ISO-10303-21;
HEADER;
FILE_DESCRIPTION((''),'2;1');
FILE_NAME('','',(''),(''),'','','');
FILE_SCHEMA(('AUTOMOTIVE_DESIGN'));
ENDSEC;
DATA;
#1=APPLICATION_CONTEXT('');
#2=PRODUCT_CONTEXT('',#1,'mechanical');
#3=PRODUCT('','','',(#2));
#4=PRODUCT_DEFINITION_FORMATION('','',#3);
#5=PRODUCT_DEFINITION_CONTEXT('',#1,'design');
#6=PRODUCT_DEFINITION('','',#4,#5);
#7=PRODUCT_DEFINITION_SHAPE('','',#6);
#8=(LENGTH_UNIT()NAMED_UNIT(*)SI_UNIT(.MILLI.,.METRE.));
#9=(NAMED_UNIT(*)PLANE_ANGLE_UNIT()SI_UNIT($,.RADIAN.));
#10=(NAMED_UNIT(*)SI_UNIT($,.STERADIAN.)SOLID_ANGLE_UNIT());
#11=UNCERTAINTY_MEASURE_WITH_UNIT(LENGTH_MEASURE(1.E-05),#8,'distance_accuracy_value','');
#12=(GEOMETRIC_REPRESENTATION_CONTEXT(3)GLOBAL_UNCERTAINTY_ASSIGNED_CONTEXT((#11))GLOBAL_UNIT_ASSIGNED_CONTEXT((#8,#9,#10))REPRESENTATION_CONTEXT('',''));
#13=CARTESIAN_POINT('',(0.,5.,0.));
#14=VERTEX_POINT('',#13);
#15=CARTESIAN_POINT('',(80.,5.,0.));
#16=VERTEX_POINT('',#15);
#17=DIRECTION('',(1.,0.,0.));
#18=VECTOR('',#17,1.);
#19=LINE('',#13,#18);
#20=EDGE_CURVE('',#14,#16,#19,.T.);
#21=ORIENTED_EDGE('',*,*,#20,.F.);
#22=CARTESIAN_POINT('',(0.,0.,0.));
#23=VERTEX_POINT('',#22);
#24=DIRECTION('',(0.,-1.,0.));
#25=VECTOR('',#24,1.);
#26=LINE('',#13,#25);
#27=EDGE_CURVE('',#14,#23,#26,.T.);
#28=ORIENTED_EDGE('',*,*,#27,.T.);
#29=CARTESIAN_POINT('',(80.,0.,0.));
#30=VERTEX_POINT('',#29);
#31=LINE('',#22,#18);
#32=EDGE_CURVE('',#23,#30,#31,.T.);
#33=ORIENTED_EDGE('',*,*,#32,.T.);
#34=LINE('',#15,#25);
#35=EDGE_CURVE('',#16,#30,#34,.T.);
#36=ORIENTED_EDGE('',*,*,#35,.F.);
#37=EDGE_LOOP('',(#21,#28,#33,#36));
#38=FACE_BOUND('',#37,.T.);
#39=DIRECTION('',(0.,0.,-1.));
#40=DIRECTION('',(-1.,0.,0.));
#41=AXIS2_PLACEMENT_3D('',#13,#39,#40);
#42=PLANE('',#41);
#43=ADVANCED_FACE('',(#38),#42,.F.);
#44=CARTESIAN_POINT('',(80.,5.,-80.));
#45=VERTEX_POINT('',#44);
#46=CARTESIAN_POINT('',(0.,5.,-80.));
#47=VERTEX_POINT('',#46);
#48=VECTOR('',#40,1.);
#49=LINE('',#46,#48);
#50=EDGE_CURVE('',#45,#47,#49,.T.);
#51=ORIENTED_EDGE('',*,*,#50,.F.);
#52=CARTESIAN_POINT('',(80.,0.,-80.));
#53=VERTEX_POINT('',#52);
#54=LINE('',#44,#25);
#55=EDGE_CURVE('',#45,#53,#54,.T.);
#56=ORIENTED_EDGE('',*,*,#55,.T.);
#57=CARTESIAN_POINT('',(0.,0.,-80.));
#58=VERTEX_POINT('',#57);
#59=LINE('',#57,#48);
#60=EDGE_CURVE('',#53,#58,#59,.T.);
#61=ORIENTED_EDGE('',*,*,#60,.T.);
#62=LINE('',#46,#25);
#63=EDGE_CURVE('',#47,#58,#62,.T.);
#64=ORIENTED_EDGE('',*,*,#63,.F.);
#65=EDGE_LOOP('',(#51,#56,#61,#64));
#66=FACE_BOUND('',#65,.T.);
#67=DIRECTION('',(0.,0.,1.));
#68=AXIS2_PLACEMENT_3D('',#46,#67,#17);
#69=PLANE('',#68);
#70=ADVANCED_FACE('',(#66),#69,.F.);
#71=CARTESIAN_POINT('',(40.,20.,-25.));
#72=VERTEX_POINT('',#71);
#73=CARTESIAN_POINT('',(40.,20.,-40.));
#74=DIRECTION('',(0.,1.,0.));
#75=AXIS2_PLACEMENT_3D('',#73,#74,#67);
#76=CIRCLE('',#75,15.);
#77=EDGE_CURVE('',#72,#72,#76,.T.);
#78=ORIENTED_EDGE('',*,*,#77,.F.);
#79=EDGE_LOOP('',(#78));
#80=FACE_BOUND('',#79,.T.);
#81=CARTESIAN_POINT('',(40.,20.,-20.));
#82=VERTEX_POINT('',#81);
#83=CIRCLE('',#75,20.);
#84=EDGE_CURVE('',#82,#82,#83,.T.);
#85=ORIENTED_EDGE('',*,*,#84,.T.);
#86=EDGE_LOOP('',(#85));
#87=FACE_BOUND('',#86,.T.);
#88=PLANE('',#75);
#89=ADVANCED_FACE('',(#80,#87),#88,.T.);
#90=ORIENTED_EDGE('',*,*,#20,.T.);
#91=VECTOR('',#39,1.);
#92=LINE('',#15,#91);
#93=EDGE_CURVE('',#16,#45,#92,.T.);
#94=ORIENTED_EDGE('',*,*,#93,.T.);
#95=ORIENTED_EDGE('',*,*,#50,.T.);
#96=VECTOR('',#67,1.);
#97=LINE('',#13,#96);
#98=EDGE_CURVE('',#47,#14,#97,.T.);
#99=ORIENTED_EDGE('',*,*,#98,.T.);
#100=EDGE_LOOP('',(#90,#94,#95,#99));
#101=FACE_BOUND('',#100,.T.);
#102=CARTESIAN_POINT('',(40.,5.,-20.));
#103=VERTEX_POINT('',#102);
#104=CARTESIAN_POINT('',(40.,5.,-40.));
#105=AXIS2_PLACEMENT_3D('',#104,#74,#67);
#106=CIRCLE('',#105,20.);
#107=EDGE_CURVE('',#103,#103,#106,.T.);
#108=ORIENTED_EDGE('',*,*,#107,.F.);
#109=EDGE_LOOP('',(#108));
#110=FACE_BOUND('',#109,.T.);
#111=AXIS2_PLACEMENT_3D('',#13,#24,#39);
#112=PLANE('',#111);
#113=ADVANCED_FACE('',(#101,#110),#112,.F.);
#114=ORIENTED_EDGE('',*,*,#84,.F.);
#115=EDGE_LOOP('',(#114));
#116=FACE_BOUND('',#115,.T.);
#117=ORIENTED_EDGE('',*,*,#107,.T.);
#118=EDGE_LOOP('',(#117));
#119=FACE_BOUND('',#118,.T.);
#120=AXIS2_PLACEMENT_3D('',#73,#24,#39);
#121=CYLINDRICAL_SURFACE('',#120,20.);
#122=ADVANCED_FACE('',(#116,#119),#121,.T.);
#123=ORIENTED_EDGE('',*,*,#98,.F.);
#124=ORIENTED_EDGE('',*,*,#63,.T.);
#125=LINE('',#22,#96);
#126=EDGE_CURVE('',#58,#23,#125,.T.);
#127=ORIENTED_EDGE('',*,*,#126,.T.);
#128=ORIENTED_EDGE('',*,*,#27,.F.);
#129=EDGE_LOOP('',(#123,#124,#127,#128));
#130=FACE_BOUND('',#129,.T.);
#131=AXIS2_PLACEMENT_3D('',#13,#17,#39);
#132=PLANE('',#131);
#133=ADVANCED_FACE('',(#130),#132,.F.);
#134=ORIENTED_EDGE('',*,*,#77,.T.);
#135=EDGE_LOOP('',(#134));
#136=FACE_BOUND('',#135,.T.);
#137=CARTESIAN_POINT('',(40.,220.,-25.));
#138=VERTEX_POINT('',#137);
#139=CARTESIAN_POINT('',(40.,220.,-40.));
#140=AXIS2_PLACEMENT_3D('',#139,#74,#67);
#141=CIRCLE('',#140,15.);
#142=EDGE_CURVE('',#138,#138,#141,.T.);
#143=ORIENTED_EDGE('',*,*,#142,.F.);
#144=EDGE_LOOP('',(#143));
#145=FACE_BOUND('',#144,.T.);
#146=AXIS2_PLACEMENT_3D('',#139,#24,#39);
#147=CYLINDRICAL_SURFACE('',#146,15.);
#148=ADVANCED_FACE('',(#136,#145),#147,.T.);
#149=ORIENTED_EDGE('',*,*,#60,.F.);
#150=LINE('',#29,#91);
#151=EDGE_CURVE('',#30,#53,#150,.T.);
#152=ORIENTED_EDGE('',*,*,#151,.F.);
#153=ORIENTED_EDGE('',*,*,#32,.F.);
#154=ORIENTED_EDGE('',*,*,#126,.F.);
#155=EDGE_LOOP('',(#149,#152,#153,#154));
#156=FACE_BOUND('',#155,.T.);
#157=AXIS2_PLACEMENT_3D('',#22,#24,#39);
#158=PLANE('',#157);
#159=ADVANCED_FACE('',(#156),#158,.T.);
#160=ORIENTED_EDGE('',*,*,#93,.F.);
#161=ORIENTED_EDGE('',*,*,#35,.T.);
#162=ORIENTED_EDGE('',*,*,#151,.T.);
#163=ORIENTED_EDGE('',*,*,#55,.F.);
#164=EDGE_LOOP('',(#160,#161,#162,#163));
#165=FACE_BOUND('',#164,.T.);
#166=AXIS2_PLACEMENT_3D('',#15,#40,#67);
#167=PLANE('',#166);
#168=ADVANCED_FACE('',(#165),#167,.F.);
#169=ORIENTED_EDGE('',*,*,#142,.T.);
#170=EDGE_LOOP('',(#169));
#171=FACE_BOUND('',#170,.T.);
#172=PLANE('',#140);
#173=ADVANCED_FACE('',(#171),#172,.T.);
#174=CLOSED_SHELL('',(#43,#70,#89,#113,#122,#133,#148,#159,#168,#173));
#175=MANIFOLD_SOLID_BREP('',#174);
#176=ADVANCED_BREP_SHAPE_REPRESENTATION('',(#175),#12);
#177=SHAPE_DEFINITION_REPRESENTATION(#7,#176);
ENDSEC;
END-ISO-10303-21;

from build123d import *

# Parameters (mm, degrees)
SKETCH_1_W      = 80
SKETCH_1_H      = 80
EXTRUDE_1_DEPTH = 5
SKETCH_2_R      = 20
EXTRUDE_2_DEPTH = 15
SKETCH_3_R      = 15
EXTRUDE_3_DEPTH = 200


with BuildPart() as part:
    # 草图1 → 凸台-拉伸1 (new body)
    with BuildSketch(Plane(origin=(0, 0, 0), x_dir=(1, 0, 0), z_dir=(0, 1, 0))):
        with Locations((40, 40)):
            Rectangle(SKETCH_1_W, SKETCH_1_H)
    extrude(amount=EXTRUDE_1_DEPTH)

    # 草图2 → 凸台-拉伸2 (add)
    with BuildSketch(Plane(origin=(0, 5, 0), x_dir=(1, 0, 0), z_dir=(0, 1, 0))):
        with Locations(Location((40, 40, 0), (0, 0, 270))):
            Circle(SKETCH_2_R)
    extrude(amount=EXTRUDE_2_DEPTH)

    # 草图3 → 凸台-拉伸3 (add)
    with BuildSketch(Plane(origin=(0, 20, 0), x_dir=(1, 0, 0), z_dir=(0, 1, 0))):
        with Locations(Location((40, 40, 0), (0, 0, 270))):
            Circle(SKETCH_3_R)
    extrude(amount=EXTRUDE_3_DEPTH)


solid = part.part
